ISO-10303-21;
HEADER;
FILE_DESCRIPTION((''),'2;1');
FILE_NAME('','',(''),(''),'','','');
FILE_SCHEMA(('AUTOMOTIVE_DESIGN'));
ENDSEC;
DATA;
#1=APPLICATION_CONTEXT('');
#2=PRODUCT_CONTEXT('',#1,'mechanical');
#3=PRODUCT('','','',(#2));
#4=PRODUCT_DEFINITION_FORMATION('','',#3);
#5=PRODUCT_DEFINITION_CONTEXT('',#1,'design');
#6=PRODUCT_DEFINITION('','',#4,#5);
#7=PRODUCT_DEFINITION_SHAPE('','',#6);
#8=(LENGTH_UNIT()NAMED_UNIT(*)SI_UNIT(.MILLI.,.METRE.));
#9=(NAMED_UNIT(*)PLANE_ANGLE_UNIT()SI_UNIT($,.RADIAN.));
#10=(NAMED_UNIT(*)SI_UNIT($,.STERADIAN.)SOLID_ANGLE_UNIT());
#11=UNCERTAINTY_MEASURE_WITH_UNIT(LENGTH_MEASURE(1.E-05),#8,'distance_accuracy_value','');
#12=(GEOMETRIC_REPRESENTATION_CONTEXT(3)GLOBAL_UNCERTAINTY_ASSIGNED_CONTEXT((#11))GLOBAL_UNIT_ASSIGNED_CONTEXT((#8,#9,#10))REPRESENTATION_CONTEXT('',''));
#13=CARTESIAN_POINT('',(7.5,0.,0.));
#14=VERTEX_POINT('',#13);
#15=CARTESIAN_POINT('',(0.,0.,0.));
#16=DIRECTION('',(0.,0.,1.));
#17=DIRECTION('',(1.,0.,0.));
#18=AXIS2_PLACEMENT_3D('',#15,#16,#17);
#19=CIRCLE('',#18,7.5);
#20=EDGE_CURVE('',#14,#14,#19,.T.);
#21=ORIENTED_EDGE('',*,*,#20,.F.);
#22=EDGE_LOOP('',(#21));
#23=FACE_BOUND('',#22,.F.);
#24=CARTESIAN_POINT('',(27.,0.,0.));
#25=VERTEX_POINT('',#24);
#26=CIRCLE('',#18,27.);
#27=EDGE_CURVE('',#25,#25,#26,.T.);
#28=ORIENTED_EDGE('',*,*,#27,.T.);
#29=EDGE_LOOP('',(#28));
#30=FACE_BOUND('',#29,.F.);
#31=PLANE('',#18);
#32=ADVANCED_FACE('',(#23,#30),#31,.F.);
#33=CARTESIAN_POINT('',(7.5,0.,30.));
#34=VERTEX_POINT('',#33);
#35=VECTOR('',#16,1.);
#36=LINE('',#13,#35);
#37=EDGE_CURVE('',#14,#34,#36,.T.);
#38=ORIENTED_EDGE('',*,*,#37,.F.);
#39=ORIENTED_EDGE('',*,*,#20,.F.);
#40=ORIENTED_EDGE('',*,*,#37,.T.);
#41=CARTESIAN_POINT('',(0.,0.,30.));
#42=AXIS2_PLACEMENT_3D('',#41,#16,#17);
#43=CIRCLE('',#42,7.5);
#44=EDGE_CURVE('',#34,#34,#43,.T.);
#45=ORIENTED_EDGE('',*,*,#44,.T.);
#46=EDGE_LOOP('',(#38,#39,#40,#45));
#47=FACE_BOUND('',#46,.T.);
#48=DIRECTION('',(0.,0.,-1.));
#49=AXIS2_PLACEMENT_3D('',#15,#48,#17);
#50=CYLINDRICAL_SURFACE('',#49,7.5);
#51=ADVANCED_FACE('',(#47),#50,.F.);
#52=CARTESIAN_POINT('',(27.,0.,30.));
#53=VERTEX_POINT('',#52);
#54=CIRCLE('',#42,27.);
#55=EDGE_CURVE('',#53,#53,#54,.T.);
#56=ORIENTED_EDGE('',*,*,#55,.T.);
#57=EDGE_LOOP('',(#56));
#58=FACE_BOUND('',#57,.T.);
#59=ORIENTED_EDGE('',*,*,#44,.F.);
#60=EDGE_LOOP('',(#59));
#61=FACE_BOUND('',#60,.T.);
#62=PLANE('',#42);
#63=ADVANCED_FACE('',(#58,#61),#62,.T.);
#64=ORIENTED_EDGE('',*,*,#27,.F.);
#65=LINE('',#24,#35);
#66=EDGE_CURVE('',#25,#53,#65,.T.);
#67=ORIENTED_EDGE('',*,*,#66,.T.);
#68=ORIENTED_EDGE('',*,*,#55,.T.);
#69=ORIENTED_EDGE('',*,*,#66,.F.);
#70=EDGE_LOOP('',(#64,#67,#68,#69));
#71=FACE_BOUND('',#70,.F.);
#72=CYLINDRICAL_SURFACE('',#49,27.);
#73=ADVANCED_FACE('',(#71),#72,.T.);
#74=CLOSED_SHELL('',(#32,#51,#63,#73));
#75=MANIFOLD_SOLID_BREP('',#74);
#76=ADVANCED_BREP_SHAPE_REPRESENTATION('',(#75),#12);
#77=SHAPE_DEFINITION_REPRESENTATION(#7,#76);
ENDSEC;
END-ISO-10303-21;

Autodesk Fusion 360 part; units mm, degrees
sketch "Boceto1" plane through (0, 0, 0) normal (0, 0, 1) x (1, 0, 0)
  circle A0 centre (0, 0) radius 27
  circle A1 centre (0, 0) radius 7.5
  dimension "d1" = 54
  dimension "d2" = 15
extrude "Extruir2" add sketch "Boceto1" along normal blind 30
extrude "Extruir1" [suppressed]
